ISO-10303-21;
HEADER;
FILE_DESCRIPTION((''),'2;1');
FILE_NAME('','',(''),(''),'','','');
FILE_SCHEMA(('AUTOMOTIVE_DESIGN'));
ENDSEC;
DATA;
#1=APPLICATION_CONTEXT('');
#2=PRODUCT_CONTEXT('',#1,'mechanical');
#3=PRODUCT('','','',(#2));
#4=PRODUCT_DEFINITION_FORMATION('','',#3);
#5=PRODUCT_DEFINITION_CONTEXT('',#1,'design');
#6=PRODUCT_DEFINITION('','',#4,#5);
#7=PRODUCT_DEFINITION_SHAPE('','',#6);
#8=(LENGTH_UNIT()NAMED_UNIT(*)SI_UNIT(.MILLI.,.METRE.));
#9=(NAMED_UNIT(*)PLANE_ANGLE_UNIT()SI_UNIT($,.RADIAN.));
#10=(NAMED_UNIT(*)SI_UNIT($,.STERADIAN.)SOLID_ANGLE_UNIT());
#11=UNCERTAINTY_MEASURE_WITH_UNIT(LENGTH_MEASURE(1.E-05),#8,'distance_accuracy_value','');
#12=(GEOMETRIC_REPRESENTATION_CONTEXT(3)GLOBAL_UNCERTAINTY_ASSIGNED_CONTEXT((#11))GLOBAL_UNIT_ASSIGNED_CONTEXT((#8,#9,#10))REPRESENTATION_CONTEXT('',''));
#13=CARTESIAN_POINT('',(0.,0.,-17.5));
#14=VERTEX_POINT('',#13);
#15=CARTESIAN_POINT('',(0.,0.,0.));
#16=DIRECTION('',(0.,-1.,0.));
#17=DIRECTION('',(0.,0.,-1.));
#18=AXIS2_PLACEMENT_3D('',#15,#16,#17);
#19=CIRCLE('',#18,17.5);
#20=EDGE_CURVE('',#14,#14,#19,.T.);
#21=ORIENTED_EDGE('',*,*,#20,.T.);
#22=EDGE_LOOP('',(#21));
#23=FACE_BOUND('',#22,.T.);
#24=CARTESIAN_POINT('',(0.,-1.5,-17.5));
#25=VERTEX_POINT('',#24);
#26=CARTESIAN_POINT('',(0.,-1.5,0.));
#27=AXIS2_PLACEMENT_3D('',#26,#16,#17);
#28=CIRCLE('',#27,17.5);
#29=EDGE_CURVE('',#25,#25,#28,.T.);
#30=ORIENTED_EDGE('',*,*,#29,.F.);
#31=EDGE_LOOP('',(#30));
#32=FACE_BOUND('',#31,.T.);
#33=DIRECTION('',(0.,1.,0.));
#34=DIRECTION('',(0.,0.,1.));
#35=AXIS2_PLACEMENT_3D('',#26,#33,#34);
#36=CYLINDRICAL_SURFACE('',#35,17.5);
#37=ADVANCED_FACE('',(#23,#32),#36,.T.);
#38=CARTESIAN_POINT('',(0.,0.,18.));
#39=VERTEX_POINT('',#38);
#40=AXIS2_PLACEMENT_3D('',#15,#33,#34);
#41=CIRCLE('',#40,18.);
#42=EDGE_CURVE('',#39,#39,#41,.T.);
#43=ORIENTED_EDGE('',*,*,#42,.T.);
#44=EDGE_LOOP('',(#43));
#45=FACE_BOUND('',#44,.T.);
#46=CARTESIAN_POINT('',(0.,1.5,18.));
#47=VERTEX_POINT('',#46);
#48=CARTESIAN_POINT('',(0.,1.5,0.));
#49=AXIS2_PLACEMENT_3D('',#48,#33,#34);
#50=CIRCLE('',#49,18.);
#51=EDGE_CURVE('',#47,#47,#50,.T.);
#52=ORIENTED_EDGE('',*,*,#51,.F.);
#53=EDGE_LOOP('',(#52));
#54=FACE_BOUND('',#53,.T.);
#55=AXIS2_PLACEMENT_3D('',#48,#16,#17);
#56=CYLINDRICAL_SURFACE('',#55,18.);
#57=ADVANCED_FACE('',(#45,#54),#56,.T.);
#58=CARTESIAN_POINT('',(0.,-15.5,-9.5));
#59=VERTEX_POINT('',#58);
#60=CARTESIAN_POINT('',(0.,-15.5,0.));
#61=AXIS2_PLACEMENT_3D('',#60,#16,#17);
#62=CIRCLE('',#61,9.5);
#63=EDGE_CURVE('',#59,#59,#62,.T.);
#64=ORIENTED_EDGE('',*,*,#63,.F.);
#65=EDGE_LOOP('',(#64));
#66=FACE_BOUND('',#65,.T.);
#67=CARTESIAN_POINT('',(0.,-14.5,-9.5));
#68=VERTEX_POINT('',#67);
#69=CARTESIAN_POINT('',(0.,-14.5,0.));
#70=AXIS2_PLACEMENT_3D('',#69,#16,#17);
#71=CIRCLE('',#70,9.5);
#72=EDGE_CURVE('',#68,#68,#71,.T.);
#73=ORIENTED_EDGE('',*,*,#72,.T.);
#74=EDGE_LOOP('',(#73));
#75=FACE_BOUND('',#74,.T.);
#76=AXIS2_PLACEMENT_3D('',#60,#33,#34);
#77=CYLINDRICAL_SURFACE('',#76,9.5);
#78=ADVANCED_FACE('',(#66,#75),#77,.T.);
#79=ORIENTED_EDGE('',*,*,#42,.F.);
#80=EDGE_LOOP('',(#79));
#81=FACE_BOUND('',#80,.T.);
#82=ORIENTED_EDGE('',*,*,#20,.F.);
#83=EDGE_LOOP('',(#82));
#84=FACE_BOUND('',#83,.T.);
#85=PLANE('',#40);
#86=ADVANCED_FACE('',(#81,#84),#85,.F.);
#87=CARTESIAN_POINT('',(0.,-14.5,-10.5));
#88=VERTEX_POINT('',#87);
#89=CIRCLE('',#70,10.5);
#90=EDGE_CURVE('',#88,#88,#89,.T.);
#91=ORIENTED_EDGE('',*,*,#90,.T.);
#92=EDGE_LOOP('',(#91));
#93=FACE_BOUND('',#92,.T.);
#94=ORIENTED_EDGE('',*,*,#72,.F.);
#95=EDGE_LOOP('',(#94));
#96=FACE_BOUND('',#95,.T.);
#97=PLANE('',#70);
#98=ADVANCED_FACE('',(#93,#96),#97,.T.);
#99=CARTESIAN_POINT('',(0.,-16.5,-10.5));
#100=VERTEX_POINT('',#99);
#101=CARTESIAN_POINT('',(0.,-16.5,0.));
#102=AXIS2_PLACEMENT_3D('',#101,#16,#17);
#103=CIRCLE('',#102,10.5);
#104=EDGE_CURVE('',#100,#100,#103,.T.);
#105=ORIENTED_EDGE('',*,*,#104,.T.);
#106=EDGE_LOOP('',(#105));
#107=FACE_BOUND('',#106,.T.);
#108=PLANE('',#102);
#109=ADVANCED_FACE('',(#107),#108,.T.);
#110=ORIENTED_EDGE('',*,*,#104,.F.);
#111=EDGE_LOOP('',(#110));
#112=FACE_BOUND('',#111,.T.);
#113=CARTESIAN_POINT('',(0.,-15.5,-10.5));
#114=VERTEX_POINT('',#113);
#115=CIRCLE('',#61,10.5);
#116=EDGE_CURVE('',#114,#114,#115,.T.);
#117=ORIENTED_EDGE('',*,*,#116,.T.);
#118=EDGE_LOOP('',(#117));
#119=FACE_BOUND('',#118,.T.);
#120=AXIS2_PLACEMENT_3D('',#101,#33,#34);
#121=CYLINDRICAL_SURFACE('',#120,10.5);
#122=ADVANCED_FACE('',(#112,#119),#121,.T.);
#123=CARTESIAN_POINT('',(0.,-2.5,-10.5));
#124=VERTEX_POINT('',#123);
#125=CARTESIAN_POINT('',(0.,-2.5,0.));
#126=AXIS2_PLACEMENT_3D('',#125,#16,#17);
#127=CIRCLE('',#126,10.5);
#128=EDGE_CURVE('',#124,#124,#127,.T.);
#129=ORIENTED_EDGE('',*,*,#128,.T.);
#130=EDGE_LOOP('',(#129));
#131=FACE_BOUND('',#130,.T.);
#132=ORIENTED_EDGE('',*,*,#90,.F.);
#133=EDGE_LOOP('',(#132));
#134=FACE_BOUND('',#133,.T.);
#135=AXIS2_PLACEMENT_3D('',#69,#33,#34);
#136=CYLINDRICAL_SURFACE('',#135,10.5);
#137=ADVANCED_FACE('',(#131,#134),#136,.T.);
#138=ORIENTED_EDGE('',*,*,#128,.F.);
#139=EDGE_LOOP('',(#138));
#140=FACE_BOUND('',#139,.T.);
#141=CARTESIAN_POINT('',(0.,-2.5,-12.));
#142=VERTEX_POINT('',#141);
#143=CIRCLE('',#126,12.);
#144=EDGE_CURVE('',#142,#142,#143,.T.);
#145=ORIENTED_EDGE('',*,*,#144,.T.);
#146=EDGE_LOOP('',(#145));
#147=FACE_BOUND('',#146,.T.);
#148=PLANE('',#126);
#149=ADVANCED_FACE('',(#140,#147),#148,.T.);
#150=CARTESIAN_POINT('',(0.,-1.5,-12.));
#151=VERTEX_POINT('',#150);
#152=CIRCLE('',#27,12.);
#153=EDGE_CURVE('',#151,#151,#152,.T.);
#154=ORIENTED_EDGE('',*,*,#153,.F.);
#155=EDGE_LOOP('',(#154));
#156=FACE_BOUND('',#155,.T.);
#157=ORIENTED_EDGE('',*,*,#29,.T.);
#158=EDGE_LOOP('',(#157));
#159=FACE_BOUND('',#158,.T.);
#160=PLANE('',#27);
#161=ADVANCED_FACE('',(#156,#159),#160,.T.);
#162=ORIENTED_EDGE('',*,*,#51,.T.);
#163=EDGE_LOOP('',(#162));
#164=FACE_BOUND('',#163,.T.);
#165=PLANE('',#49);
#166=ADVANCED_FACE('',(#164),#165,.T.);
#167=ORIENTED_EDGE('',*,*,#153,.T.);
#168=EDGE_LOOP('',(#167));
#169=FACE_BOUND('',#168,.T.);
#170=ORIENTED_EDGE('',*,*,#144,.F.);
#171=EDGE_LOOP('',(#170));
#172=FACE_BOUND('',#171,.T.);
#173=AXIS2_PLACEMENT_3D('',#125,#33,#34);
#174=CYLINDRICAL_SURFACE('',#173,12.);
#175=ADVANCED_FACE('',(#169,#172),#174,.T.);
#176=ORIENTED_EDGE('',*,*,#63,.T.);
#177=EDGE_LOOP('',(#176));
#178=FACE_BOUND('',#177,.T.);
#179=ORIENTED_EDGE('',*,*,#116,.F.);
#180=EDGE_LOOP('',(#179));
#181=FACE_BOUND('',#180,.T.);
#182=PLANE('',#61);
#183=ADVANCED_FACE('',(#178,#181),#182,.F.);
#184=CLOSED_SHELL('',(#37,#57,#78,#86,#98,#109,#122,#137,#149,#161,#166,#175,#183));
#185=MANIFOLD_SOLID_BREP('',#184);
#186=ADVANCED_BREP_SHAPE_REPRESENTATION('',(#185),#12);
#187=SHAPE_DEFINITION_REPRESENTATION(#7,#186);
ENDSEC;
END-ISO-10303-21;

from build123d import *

# Parameters (mm, degrees)
SKETCH1_R           = 18
BOSS_EXTRUDE1_DEPTH = 1.5
SKETCH2_R           = 17.5
BOSS_EXTRUDE2_DEPTH = 1.5
SKETCH3_R           = 12
BOSS_EXTRUDE3_DEPTH = 1
SKETCH4_R           = 10.5
BOSS_EXTRUDE4_DEPTH = 12
SKETCH5_R           = 9.5
BOSS_EXTRUDE5_DEPTH = 1
SKETCH6_R           = 10.5
BOSS_EXTRUDE6_DEPTH = 1


with BuildPart() as part:
    # Sketch1 → Boss-Extrude1 (new body)
    with BuildSketch(Plane(origin=(0, 0, 0), x_dir=(1, 0, 0), z_dir=(0, 1, 0))):
        with Locations(Location((0, 0, 0), (0, 0, 270))):
            Circle(SKETCH1_R)
    extrude(amount=BOSS_EXTRUDE1_DEPTH)

    # Sketch2 → Boss-Extrude2 (add)
    with BuildSketch(Plane.XZ):
        with Locations(Location((0, 0, 0), (0, 0, 270))):
            Circle(SKETCH2_R)
    extrude(amount=BOSS_EXTRUDE2_DEPTH)

    # Sketch3 → Boss-Extrude3 (add)
    with BuildSketch(Plane.XZ.offset(1.5)):
        with Locations(Location((0, 0, 0), (0, 0, 270))):
            Circle(SKETCH3_R)
    extrude(amount=BOSS_EXTRUDE3_DEPTH)

    # Sketch4 → Boss-Extrude4 (add)
    with BuildSketch(Plane.XZ.offset(2.5)):
        with Locations(Location((0, 0, 0), (0, 0, 270))):
            Circle(SKETCH4_R)
    extrude(amount=BOSS_EXTRUDE4_DEPTH)

    # Sketch5 → Boss-Extrude5 (add)
    with BuildSketch(Plane.XZ.offset(14.5)):
        with Locations(Location((0, 0, 0), (0, 0, 270))):
            Circle(SKETCH5_R)
    extrude(amount=BOSS_EXTRUDE5_DEPTH)

    # Sketch6 → Boss-Extrude6 (add)
    with BuildSketch(Plane.XZ.offset(15.5)):
        with Locations(Location((0, 0, 0), (0, 0, 270))):
            Circle(SKETCH6_R)
    extrude(amount=BOSS_EXTRUDE6_DEPTH)


solid = part.part
